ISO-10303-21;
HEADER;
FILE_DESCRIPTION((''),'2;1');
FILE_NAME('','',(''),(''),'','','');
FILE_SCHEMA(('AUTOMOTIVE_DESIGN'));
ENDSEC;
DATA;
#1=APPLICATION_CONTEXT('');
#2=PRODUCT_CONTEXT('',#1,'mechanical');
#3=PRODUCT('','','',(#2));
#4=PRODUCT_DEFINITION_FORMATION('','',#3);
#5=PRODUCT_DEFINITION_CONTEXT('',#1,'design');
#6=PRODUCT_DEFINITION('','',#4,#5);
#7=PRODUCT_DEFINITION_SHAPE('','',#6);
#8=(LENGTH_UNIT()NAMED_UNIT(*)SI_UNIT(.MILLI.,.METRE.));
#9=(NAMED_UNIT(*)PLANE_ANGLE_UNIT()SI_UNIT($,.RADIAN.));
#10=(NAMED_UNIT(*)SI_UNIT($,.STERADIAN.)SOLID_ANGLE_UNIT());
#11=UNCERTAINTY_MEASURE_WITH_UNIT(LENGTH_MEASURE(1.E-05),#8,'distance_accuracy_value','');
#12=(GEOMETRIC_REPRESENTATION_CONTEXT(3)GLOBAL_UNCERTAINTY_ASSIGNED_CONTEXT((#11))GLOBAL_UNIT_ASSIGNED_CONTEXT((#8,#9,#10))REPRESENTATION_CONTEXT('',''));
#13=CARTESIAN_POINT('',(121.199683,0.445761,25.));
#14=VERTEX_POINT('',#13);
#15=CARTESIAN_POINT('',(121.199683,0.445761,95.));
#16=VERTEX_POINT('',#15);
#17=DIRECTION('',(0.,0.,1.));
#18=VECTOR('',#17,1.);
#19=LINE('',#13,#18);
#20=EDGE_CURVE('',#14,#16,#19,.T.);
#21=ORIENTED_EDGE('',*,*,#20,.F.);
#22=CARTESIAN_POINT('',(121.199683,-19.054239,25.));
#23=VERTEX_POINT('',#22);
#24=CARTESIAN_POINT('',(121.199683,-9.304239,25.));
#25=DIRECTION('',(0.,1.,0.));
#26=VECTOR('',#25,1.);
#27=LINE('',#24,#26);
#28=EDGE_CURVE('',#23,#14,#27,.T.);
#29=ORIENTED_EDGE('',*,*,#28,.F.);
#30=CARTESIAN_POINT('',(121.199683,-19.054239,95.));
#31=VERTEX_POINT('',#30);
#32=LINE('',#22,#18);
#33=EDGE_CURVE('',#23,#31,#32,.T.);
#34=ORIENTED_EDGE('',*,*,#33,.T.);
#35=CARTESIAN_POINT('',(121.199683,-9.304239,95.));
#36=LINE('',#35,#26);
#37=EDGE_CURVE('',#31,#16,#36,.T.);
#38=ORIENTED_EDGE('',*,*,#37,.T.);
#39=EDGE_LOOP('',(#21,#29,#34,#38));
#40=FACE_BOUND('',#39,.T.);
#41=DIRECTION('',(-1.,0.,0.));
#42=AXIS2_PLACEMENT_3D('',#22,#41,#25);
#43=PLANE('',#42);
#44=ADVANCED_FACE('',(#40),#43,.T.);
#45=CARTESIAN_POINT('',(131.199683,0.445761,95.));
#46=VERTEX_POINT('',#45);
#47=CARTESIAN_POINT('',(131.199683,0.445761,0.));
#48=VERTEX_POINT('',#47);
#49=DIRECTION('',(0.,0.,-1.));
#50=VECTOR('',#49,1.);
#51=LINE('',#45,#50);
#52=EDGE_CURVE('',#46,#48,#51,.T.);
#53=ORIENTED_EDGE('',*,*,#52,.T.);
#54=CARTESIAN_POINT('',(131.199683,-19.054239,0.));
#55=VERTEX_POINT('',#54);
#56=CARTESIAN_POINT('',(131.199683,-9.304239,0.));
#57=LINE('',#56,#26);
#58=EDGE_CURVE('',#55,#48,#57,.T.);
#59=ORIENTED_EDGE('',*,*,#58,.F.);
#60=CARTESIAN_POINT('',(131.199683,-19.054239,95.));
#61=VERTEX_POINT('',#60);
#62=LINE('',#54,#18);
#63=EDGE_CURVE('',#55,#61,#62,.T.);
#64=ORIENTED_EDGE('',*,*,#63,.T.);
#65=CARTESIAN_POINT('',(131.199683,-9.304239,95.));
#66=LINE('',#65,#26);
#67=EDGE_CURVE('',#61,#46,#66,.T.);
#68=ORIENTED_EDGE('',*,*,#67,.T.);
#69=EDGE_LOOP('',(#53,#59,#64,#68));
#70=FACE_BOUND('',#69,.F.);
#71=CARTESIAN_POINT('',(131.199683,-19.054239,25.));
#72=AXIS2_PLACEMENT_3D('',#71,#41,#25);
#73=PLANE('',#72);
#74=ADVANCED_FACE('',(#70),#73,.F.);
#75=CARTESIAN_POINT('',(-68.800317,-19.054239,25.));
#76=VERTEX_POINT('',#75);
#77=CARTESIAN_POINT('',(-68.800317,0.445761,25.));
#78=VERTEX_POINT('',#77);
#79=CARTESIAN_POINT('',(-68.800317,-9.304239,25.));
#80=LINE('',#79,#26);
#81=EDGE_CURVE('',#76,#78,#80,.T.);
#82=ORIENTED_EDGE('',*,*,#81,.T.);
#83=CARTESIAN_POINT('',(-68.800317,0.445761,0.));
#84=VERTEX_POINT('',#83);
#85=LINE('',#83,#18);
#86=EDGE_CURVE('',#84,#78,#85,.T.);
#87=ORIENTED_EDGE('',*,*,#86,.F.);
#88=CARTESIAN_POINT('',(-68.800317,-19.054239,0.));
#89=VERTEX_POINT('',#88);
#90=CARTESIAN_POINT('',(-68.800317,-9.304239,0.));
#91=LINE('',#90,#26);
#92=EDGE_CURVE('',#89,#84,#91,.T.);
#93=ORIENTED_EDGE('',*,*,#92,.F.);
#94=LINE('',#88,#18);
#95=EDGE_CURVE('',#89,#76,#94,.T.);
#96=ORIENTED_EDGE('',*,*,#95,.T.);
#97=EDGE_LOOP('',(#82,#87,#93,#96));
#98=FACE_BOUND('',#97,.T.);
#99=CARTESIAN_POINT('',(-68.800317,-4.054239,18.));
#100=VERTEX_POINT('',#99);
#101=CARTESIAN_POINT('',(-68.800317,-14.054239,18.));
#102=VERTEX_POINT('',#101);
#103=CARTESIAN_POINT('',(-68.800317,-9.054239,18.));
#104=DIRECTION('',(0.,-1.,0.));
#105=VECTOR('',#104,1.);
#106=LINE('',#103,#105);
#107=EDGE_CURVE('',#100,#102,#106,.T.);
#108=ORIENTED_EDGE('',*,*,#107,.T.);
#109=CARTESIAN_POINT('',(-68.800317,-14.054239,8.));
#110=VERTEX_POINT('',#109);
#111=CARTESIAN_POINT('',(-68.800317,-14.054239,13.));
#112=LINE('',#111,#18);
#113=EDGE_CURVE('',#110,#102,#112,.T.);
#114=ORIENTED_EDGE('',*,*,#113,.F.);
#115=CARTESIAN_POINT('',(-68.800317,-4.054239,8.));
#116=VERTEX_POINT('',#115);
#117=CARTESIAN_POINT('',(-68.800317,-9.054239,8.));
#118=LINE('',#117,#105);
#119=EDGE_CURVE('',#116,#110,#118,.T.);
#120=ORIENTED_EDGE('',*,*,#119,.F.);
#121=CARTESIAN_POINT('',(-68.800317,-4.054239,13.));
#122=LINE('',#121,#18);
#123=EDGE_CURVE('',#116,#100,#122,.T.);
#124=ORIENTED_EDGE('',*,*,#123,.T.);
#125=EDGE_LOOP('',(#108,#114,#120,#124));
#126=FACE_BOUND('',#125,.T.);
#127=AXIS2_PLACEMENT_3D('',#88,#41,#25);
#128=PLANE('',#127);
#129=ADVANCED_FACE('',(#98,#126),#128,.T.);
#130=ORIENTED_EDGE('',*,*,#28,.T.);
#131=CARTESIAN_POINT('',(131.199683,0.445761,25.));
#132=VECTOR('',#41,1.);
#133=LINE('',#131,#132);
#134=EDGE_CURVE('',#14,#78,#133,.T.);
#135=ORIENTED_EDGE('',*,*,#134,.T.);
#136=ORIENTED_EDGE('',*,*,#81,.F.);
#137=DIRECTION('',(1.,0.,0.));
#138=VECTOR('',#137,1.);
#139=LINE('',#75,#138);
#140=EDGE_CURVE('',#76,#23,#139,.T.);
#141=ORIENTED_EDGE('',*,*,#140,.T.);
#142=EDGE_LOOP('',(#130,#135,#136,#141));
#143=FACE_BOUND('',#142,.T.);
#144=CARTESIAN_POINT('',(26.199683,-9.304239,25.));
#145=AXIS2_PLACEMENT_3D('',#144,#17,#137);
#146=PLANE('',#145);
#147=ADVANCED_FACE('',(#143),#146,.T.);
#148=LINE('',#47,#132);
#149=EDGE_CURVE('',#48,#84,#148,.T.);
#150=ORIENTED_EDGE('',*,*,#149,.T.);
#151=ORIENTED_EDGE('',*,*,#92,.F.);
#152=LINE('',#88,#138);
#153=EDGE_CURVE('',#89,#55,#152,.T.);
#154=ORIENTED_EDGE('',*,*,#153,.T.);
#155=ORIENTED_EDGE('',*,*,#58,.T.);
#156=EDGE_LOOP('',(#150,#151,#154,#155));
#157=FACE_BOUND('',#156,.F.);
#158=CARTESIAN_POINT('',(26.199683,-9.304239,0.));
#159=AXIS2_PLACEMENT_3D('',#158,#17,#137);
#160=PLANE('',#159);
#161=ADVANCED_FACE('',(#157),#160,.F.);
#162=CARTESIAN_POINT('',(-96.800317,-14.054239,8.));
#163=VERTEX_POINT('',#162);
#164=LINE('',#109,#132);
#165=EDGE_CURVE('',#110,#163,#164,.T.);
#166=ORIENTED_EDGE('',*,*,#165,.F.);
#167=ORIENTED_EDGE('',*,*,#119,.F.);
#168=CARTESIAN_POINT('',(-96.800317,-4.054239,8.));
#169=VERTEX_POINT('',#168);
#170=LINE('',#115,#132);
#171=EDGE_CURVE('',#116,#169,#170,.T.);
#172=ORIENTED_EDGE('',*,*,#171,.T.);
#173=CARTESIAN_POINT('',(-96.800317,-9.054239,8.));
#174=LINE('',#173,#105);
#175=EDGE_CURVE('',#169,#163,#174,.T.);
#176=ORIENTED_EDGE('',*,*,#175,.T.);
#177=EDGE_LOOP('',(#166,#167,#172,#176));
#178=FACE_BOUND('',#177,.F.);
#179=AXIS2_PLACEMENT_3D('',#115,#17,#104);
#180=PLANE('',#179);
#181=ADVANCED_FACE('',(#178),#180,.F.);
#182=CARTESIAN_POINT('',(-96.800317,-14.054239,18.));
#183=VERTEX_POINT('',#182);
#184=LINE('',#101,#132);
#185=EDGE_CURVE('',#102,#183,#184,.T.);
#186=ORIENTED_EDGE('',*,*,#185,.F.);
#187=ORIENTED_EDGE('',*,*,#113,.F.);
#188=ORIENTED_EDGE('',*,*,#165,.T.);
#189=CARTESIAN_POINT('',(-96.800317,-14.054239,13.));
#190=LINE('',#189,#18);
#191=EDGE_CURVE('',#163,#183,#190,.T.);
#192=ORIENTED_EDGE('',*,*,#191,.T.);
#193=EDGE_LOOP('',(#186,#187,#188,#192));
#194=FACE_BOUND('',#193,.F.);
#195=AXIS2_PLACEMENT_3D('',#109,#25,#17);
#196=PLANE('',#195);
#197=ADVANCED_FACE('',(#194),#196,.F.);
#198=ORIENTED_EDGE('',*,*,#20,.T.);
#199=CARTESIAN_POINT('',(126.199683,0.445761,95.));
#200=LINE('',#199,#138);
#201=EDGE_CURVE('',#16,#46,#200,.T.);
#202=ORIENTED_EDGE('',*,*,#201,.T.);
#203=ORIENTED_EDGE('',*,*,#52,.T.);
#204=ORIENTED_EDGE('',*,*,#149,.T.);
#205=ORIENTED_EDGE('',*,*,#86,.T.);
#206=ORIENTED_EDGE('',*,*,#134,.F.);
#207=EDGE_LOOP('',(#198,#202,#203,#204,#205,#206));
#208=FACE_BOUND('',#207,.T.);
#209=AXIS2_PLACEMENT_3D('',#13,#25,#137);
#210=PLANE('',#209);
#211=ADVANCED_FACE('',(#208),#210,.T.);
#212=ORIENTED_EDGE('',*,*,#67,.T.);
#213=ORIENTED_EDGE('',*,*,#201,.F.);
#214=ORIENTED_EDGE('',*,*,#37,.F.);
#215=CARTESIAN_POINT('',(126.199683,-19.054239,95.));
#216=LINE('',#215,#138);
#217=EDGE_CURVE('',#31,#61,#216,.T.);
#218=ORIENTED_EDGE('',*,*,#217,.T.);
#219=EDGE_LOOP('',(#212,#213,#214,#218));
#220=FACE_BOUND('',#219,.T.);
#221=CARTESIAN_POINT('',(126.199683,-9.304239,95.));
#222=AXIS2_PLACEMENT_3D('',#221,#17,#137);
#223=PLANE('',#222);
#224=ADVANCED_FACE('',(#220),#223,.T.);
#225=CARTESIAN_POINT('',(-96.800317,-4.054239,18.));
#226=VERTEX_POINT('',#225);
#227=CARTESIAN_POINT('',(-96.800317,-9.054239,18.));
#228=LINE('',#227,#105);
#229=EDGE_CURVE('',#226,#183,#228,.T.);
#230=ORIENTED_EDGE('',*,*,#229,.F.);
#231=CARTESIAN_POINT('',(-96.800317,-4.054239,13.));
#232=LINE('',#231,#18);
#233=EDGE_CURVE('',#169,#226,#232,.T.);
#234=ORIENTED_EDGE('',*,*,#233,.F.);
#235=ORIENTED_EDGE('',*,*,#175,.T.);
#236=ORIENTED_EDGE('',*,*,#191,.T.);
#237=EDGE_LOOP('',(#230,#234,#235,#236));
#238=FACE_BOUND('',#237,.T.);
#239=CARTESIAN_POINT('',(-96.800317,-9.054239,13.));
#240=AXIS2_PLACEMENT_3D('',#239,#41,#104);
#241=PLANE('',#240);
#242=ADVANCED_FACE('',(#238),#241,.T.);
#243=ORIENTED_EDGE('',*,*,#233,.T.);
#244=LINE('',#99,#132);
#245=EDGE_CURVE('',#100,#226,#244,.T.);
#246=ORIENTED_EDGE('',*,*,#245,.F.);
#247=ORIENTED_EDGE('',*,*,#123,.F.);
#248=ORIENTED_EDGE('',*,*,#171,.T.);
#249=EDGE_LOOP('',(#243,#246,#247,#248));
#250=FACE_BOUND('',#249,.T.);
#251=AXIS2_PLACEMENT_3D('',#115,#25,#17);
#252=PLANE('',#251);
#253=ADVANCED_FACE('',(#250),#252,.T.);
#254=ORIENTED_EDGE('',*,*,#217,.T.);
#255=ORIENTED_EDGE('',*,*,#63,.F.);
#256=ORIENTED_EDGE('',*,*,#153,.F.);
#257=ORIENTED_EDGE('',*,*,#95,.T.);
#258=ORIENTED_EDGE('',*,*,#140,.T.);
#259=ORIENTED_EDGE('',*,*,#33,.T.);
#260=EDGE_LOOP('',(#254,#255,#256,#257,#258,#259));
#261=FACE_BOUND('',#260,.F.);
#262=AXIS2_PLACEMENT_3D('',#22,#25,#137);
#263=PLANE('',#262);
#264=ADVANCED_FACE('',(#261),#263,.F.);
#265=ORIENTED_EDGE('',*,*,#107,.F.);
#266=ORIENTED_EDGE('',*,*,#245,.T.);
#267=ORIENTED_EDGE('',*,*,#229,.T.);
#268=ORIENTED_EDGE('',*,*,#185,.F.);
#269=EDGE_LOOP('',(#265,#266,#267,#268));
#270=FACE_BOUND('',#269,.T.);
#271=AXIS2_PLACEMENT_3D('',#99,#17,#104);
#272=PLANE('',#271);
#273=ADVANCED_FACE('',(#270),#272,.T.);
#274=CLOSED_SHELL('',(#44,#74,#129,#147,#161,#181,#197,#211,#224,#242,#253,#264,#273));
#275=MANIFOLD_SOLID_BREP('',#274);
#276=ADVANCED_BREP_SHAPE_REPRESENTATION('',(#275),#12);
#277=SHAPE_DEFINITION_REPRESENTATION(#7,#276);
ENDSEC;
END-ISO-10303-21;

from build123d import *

# Parameters (mm, degrees)
F0_W     = 190
F0_H     = 19.5
F0_W_2   = 10
F1_DEPTH = 25
F2_W     = 10
F2_H     = 19.5
F3_DEPTH = 70
F4_W     = 10
F4_H     = 10
F5_DEPTH = 28


with BuildPart() as f1:
    # F0 (on Top) → F1 (new body)
    with BuildSketch(Plane.XY):
        with Locations((26.199683, -9.304239)):
            Rectangle(F0_W, F0_H)
        with Locations((126.199683, -9.304239)):
            Rectangle(F0_W_2, F0_H)
    extrude(amount=F1_DEPTH)

    # F2 (on face) → F3 (join)
    with BuildSketch(Plane.XY.offset(25)):
        with Locations((126.199683, -9.304239)):
            Rectangle(F2_W, F2_H)
    extrude(amount=F3_DEPTH)

    # F4 (on face) → F5 (join)
    with BuildSketch(Plane(origin=(-68.800317, 0, 0), x_dir=(0, -1, 0), z_dir=(-1, 0, 0))):
        with Locations((9.054239, 13)):
            Rectangle(F4_W, F4_H)
    extrude(amount=F5_DEPTH)


solid = f1.part
